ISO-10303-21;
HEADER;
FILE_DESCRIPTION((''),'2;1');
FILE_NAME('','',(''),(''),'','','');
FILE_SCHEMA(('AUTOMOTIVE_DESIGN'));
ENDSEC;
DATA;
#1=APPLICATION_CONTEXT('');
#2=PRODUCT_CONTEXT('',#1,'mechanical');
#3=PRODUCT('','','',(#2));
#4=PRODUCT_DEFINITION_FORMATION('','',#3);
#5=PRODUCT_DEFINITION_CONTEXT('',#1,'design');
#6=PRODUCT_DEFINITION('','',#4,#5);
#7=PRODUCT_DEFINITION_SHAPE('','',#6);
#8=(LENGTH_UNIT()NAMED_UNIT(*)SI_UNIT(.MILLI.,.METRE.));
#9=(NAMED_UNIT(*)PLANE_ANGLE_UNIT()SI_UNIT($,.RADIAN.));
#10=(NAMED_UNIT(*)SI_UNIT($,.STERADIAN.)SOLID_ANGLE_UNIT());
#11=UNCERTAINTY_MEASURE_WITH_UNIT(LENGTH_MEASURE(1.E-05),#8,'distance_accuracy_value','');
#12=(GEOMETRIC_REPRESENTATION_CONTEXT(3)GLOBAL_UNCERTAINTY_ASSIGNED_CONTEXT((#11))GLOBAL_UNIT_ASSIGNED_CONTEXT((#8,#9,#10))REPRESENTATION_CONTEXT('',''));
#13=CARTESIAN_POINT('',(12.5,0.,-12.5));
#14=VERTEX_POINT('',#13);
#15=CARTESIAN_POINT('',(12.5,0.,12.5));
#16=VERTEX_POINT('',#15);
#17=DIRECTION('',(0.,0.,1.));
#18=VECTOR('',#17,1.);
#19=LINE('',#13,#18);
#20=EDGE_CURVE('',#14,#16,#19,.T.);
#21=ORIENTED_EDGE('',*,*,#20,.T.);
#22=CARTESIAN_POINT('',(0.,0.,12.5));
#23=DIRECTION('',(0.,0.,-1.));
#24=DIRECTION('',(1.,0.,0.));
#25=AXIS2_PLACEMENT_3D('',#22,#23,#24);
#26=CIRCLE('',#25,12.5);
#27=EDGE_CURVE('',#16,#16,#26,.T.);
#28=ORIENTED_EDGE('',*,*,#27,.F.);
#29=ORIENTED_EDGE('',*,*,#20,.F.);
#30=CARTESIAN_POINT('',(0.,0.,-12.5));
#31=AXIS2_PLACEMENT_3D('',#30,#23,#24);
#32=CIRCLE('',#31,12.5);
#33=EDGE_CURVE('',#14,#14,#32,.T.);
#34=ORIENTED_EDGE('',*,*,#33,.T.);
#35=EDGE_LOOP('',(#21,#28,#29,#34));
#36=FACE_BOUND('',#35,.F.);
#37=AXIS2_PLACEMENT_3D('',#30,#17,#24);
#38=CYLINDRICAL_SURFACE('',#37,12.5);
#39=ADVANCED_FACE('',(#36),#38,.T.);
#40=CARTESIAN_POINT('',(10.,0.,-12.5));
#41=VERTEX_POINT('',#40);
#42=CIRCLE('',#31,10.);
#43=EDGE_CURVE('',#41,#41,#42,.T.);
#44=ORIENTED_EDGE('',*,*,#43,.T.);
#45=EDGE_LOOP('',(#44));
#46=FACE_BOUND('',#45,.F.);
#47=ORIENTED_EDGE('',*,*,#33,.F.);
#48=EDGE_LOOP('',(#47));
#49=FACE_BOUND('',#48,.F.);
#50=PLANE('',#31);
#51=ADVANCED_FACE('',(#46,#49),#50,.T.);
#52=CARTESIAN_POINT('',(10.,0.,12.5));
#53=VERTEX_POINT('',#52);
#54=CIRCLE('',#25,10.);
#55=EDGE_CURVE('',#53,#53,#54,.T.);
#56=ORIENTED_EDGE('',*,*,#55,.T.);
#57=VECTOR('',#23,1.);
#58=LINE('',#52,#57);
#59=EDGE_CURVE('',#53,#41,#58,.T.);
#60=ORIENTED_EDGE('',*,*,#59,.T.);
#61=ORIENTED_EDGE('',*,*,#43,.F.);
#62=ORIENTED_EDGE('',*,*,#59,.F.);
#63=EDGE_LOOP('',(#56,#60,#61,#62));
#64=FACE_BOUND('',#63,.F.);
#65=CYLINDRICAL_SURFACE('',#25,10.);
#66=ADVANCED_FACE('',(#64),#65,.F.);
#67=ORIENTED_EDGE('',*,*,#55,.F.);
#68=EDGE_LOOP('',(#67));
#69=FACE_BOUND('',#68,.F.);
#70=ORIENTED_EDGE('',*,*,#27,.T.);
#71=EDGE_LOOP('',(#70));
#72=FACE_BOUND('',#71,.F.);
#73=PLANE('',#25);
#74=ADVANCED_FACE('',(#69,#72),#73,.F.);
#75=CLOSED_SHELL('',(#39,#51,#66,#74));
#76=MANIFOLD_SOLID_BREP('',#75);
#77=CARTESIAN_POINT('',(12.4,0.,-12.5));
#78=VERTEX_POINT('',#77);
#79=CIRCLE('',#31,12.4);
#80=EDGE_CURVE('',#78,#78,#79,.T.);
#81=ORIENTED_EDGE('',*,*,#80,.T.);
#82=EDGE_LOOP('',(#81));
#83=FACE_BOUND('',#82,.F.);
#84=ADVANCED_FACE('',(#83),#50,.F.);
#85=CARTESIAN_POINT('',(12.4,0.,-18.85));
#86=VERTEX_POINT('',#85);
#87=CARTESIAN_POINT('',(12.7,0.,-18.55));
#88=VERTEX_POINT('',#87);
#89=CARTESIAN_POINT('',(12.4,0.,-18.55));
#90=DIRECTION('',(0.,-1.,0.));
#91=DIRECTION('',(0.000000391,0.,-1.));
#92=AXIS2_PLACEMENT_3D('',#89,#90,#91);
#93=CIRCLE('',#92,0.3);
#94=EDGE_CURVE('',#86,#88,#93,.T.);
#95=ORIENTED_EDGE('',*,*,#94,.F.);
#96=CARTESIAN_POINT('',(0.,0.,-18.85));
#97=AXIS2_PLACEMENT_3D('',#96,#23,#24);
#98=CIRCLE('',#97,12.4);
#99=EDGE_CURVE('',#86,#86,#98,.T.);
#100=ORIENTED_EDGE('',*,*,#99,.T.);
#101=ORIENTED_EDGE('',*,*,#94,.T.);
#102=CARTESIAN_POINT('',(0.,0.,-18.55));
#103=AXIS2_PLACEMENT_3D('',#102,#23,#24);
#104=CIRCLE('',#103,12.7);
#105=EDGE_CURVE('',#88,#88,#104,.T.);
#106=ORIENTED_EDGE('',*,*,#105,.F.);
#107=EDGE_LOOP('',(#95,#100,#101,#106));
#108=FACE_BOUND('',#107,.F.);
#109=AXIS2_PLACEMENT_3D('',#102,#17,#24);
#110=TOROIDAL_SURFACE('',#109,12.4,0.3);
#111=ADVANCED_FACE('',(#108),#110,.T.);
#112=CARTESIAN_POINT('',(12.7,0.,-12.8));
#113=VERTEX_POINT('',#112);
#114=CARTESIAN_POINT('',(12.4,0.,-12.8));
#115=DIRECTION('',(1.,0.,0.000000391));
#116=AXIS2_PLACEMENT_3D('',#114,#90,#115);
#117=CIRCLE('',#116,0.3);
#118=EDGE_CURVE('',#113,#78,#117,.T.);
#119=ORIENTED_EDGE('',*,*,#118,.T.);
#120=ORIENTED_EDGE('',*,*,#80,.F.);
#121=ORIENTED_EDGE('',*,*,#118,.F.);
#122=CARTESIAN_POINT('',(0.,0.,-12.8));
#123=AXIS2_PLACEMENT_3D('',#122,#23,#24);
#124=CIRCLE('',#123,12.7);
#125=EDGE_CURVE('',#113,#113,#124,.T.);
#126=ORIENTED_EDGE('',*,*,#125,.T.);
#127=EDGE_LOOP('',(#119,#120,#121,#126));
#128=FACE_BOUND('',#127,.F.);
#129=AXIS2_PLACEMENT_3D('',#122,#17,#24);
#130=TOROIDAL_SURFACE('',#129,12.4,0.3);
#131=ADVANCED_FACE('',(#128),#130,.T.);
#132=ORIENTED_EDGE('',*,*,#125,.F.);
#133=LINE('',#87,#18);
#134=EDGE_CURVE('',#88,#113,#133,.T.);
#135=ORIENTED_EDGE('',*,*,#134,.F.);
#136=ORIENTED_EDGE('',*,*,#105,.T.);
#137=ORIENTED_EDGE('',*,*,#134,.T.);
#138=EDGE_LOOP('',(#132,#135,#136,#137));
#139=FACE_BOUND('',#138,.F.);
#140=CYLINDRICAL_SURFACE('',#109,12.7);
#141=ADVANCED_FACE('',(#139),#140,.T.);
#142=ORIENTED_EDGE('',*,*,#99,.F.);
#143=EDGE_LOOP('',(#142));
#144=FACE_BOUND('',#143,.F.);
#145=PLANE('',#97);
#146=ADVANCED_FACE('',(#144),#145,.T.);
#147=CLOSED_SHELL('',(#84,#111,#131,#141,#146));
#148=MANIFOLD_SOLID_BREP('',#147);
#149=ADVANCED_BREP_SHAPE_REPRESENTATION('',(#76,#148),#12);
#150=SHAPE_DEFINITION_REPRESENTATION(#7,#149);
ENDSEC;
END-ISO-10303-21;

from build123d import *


with BuildPart() as f1:
    # F0 (on Front) → F1 (revolve)
    with BuildSketch(Plane.XZ):
        Polygon((12.5, 12.5), (10, 12.5), (10, -12.5), (12.4, -12.5), (12.5, -12.5), align=None)
    revolve(axis=Axis((0, 0, 0), (0, 0, -1)))


with BuildPart() as f3:
    # F0 (on Front) → F3 (revolve)
    with BuildSketch(Plane.XZ):
        with BuildLine():
            Line((12.4, -12.5), (10, -12.5))
            Line((10, -12.5), (0, -12.5))
            Line((0, -12.5), (0, -18.85))
            Line((0, -18.85), (12.4, -18.85))
            ThreePointArc((12.4, -18.85), (12.612132, -18.762132), (12.7, -18.55))
            Line((12.7, -18.55), (12.7, -12.8))
            ThreePointArc((12.7, -12.8), (12.612132, -12.587868), (12.4, -12.5))
        make_face()
    revolve(axis=Axis((0, 0, -15.675), (0, 0, -1)))


solid = Compound([f1.part, f3.part])
